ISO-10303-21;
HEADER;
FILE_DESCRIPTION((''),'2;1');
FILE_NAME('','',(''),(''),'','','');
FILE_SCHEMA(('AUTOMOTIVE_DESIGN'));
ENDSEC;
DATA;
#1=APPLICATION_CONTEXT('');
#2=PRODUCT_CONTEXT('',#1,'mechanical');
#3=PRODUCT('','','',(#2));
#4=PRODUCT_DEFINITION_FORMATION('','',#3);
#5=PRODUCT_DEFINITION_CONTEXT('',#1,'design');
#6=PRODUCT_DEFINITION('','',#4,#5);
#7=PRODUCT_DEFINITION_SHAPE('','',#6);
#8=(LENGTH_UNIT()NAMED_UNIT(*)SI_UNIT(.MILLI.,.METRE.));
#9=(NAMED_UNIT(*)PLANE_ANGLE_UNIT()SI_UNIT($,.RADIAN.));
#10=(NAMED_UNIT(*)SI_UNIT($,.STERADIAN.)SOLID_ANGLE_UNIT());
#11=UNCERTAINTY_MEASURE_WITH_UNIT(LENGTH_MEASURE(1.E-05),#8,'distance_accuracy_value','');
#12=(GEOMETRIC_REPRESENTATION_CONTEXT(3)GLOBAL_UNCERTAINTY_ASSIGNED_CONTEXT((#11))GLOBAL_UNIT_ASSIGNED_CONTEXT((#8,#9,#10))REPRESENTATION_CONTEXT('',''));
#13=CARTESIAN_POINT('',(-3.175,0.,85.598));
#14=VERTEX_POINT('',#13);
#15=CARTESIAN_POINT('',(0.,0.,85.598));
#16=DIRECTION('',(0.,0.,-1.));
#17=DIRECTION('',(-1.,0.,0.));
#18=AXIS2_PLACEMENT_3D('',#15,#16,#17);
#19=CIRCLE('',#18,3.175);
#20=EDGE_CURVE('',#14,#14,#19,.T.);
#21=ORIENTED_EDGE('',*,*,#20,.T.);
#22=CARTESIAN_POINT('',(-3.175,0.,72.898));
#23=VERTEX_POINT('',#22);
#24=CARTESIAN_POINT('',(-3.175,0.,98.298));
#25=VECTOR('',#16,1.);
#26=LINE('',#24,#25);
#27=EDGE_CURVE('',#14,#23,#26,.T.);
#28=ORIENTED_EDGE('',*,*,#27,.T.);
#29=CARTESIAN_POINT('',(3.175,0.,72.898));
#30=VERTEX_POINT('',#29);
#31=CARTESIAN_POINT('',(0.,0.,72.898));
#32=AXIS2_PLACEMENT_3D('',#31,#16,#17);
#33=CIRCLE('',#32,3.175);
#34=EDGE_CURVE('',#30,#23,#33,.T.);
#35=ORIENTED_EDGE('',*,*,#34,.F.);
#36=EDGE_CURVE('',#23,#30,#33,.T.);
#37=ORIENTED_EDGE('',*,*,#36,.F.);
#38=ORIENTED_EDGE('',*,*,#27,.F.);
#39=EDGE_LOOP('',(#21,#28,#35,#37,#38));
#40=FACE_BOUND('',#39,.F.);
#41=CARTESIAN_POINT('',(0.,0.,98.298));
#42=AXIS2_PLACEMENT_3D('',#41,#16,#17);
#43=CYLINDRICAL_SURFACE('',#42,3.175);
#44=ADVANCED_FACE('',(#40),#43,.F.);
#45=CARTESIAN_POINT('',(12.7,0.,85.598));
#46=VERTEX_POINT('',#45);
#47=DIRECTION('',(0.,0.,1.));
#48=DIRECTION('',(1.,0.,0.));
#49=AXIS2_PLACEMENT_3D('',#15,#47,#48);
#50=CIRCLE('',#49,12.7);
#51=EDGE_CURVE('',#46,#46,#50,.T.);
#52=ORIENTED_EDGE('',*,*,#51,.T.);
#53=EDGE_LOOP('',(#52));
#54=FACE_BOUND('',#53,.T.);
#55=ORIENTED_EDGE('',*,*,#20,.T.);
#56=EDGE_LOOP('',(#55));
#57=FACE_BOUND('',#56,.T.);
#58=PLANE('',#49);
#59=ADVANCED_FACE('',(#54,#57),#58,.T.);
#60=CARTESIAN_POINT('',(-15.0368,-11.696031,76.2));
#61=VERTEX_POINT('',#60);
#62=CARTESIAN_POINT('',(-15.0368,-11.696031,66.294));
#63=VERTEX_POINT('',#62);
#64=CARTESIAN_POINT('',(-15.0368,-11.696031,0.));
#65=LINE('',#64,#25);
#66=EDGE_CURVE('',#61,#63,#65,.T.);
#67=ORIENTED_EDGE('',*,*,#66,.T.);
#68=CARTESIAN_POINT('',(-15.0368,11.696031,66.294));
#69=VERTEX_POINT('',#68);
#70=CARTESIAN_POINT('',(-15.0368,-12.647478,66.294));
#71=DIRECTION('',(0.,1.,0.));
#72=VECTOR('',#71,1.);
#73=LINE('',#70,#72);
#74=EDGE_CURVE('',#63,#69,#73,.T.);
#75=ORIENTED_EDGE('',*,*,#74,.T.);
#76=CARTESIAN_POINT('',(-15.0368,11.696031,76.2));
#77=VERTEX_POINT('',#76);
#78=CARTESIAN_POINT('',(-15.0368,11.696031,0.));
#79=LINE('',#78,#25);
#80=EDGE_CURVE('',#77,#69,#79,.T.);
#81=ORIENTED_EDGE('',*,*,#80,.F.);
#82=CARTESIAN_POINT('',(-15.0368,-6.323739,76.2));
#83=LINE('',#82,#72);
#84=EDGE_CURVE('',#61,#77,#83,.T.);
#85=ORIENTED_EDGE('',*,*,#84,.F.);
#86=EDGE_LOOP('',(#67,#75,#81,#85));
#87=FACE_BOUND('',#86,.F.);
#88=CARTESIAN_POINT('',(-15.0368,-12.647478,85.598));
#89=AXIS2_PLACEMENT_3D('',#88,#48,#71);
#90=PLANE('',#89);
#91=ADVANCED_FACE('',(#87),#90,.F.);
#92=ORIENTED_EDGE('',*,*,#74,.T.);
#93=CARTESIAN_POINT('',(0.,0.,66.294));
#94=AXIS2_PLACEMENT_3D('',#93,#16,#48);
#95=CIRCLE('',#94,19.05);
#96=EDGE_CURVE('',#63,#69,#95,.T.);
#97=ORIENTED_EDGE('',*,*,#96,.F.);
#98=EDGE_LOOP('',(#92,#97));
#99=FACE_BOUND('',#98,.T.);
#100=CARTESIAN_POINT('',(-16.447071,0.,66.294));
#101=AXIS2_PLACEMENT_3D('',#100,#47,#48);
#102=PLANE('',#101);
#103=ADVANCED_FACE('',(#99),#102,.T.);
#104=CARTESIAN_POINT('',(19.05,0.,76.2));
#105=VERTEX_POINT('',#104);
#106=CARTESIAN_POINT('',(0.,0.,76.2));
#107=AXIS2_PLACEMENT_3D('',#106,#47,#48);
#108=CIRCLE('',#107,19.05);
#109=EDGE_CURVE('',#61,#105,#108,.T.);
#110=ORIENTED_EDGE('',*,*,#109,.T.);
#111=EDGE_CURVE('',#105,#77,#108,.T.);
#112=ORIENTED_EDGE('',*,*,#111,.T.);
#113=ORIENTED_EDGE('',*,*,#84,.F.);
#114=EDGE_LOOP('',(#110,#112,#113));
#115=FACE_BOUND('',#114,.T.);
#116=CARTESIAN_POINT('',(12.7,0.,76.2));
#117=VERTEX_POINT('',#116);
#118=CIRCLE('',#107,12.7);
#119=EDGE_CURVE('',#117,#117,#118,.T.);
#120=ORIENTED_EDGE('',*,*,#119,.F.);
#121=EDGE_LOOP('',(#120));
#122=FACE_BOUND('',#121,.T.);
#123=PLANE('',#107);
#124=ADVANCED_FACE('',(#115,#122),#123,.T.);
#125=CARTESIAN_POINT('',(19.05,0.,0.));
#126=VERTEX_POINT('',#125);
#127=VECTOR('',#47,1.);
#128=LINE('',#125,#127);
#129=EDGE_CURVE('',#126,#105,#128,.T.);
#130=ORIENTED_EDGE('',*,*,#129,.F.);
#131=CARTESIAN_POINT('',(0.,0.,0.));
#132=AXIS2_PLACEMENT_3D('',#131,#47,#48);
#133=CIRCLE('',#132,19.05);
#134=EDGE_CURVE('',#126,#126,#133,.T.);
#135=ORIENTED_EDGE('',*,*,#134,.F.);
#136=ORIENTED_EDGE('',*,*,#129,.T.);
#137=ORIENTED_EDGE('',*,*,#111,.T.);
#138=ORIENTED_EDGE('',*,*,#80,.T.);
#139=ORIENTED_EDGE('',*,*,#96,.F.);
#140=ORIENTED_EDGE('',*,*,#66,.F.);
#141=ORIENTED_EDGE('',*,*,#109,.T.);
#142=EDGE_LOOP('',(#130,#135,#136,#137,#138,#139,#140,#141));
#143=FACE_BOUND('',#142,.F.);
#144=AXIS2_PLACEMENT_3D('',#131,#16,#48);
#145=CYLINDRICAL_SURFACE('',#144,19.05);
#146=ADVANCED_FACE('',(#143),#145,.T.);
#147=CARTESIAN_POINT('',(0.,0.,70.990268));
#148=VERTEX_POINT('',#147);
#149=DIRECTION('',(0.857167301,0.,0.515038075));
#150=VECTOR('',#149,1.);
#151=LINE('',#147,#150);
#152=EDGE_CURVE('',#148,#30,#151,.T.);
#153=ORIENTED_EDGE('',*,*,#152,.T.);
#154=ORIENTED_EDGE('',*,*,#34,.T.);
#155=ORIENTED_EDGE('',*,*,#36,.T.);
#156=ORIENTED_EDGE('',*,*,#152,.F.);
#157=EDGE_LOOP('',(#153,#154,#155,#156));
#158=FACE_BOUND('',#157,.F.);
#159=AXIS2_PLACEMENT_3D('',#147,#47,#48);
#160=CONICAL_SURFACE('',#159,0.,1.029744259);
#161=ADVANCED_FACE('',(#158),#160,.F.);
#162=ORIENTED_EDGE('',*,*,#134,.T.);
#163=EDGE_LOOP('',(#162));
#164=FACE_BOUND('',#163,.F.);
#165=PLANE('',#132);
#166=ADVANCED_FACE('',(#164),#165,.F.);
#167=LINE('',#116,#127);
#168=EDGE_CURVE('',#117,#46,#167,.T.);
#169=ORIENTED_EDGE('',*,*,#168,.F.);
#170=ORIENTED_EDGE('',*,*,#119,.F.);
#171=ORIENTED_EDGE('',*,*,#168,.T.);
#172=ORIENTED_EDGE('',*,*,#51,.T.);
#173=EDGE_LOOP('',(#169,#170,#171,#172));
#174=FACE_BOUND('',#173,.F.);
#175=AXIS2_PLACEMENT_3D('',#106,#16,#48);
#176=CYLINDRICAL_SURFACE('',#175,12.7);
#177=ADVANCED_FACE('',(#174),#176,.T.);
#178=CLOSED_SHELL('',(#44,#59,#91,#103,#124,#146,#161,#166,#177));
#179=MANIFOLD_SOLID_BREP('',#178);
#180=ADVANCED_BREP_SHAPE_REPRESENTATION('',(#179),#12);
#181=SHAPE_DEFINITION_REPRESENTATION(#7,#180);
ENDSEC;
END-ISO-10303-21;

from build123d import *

# Parameters (mm, degrees)
F0_R     = 19.05
F1_DEPTH = 76.2
F2_R     = 12.7
F3_DEPTH = 9.398
F5_DEPTH = 19.304
F7_D     = 6.35
F7_DEPTH = 12.7
F7_TIP   = 1.9077324654


with BuildPart() as f1:
    # F0 (on Top) → F1 (new body)
    with BuildSketch(Plane.XY):
        Circle(F0_R)
    extrude(amount=F1_DEPTH)

    # F2 (on face) → F3 (join)
    with BuildSketch(Plane.XY.offset(76.2)):
        Circle(F2_R)
    extrude(amount=F3_DEPTH)

    # F4 (on face) → F5 (cut)
    with BuildSketch(Plane.XY.offset(85.598)):
        with BuildLine():
            Line((-15.0368, -12.6474779099), (-15.0368, 12.6474779099))
            ThreePointArc((-15.0368, 12.6474779099), (-19.6485127102, 0), (-15.0368, -12.6474779099))
        make_face()
    extrude(amount=-F5_DEPTH, mode=Mode.SUBTRACT)

    # F7
    with Locations(Plane.XY.offset(85.598)):
        with Locations((0, 0)):
            Hole(F7_D / 2, depth=F7_DEPTH)
            with Locations((0, 0, -(F7_DEPTH + F7_TIP / 2))):  # 118° drill point
                Cone(0, F7_D / 2, F7_TIP, mode=Mode.SUBTRACT)


solid = f1.part
